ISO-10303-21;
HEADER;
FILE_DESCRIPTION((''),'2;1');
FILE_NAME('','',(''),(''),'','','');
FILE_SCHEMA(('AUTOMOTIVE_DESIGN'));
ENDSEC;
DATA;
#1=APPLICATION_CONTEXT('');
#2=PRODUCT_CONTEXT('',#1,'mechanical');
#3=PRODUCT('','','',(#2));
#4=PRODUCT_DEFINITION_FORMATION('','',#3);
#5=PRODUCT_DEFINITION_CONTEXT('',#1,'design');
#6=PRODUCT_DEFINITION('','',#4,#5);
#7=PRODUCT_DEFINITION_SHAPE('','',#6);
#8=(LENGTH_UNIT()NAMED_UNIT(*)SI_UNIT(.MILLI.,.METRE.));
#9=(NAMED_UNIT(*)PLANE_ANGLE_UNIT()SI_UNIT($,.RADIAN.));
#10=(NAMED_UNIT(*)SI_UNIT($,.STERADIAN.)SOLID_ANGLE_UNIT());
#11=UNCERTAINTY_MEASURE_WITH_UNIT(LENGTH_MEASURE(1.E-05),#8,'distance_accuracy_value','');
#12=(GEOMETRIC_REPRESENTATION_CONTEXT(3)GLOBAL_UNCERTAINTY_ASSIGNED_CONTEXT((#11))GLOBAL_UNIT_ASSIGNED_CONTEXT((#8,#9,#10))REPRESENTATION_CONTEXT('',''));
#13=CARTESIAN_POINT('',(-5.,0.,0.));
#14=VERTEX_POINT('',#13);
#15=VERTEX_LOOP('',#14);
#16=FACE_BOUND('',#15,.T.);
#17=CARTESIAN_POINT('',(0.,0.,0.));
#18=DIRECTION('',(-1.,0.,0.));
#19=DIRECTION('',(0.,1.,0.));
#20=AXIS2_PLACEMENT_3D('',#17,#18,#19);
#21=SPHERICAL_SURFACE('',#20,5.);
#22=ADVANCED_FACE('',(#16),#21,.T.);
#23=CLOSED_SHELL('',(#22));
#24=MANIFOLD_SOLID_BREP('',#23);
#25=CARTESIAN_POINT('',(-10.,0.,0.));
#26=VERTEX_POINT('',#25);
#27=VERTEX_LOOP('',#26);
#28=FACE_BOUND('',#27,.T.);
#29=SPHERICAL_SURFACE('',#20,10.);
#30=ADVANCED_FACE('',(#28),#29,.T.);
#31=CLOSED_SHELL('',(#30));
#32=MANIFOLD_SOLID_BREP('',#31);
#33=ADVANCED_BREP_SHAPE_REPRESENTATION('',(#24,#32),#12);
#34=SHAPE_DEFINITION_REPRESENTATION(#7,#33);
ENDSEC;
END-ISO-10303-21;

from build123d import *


with BuildPart() as part:
    # Эскиз1 → Повернуть1 (revolve)
    with BuildSketch(Plane.XY):
        with BuildLine():
            Line((-5, 0), (5, 0))
            ThreePointArc((5, 0), (0, 5), (-5, 0))
        make_face()
    revolve(axis=Axis((-5, 0, 0), (1, 0, 0)))


with BuildPart() as body_2:
    # Эскиз2 → Повернуть2 (revolve)
    with BuildSketch(Plane.XY):
        with BuildLine():
            Line((-10, 0), (10, 0))
            ThreePointArc((10, 0), (0, 10), (-10, 0))
        make_face()
    revolve(axis=Axis((-10, 0, 0), (1, 0, 0)))


solid = Compound([part.part, body_2.part])
